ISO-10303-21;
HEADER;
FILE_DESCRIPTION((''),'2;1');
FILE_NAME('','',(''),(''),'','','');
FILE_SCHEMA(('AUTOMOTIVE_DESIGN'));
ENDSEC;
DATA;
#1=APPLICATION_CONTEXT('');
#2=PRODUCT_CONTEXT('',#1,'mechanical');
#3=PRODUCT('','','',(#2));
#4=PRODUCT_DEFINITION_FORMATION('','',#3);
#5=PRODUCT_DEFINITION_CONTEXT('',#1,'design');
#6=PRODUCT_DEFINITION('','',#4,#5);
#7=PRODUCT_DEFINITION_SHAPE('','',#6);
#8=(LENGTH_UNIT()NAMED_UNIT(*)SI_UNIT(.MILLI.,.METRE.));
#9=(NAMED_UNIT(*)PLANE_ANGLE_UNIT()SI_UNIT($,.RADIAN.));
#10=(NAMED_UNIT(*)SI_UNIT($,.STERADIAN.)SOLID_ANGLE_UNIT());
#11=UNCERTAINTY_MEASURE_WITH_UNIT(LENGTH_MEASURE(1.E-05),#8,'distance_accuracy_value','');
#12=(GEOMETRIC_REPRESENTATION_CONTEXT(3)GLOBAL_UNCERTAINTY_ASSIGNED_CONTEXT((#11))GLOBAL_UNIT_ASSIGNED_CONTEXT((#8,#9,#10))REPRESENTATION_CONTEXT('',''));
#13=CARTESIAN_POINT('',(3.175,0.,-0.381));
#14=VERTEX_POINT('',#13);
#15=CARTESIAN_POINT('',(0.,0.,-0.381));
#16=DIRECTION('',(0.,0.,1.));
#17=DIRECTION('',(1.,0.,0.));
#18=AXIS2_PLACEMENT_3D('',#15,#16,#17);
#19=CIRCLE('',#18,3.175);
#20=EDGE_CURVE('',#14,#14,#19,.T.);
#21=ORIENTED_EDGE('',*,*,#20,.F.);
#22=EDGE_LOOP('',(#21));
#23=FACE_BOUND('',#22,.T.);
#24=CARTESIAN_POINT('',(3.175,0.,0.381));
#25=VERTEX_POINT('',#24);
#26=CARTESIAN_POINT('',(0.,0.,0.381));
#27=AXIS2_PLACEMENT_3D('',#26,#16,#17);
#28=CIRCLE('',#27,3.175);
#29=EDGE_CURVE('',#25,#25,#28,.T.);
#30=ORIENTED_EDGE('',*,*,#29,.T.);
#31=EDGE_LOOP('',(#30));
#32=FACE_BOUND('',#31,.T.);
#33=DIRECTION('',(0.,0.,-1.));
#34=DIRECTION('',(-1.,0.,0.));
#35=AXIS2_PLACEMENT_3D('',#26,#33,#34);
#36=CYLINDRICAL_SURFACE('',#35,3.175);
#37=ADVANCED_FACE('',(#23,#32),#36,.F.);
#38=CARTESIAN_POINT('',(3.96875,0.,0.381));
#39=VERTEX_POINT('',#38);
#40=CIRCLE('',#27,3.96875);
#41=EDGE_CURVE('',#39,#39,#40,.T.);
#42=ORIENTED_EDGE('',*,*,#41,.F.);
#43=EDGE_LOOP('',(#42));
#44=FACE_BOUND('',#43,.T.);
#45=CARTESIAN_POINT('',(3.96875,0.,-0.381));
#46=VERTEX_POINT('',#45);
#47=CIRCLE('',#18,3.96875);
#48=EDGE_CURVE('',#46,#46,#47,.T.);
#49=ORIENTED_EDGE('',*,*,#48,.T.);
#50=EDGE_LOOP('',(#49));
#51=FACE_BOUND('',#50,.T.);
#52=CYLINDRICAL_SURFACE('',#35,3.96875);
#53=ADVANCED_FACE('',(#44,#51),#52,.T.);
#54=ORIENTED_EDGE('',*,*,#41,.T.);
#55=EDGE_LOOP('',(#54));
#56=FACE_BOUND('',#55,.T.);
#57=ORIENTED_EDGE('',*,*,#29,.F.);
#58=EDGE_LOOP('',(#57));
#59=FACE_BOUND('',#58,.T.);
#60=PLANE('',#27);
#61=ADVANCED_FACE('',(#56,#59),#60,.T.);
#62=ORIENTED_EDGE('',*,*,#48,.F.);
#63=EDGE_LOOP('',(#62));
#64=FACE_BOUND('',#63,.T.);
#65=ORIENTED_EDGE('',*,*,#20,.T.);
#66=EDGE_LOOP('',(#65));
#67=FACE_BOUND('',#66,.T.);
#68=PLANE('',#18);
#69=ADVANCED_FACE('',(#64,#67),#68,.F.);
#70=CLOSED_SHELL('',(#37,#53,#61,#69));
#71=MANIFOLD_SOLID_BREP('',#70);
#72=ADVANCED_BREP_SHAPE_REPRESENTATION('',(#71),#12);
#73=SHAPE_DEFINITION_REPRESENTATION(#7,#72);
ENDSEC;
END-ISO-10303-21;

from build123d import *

# Parameters (mm, degrees)
SKETCH1_R           = 3.96875
SKETCH1_R_2         = 3.175
BOSS_EXTRUDE1_DEPTH = 0.381


with BuildPart() as part:
    # Sketch1 → Boss-Extrude1 (new body, symmetric)
    with BuildSketch(Plane.XY):
        Circle(SKETCH1_R)
        Circle(SKETCH1_R_2, mode=Mode.SUBTRACT)
    extrude(amount=BOSS_EXTRUDE1_DEPTH, both=True)


solid = part.part
